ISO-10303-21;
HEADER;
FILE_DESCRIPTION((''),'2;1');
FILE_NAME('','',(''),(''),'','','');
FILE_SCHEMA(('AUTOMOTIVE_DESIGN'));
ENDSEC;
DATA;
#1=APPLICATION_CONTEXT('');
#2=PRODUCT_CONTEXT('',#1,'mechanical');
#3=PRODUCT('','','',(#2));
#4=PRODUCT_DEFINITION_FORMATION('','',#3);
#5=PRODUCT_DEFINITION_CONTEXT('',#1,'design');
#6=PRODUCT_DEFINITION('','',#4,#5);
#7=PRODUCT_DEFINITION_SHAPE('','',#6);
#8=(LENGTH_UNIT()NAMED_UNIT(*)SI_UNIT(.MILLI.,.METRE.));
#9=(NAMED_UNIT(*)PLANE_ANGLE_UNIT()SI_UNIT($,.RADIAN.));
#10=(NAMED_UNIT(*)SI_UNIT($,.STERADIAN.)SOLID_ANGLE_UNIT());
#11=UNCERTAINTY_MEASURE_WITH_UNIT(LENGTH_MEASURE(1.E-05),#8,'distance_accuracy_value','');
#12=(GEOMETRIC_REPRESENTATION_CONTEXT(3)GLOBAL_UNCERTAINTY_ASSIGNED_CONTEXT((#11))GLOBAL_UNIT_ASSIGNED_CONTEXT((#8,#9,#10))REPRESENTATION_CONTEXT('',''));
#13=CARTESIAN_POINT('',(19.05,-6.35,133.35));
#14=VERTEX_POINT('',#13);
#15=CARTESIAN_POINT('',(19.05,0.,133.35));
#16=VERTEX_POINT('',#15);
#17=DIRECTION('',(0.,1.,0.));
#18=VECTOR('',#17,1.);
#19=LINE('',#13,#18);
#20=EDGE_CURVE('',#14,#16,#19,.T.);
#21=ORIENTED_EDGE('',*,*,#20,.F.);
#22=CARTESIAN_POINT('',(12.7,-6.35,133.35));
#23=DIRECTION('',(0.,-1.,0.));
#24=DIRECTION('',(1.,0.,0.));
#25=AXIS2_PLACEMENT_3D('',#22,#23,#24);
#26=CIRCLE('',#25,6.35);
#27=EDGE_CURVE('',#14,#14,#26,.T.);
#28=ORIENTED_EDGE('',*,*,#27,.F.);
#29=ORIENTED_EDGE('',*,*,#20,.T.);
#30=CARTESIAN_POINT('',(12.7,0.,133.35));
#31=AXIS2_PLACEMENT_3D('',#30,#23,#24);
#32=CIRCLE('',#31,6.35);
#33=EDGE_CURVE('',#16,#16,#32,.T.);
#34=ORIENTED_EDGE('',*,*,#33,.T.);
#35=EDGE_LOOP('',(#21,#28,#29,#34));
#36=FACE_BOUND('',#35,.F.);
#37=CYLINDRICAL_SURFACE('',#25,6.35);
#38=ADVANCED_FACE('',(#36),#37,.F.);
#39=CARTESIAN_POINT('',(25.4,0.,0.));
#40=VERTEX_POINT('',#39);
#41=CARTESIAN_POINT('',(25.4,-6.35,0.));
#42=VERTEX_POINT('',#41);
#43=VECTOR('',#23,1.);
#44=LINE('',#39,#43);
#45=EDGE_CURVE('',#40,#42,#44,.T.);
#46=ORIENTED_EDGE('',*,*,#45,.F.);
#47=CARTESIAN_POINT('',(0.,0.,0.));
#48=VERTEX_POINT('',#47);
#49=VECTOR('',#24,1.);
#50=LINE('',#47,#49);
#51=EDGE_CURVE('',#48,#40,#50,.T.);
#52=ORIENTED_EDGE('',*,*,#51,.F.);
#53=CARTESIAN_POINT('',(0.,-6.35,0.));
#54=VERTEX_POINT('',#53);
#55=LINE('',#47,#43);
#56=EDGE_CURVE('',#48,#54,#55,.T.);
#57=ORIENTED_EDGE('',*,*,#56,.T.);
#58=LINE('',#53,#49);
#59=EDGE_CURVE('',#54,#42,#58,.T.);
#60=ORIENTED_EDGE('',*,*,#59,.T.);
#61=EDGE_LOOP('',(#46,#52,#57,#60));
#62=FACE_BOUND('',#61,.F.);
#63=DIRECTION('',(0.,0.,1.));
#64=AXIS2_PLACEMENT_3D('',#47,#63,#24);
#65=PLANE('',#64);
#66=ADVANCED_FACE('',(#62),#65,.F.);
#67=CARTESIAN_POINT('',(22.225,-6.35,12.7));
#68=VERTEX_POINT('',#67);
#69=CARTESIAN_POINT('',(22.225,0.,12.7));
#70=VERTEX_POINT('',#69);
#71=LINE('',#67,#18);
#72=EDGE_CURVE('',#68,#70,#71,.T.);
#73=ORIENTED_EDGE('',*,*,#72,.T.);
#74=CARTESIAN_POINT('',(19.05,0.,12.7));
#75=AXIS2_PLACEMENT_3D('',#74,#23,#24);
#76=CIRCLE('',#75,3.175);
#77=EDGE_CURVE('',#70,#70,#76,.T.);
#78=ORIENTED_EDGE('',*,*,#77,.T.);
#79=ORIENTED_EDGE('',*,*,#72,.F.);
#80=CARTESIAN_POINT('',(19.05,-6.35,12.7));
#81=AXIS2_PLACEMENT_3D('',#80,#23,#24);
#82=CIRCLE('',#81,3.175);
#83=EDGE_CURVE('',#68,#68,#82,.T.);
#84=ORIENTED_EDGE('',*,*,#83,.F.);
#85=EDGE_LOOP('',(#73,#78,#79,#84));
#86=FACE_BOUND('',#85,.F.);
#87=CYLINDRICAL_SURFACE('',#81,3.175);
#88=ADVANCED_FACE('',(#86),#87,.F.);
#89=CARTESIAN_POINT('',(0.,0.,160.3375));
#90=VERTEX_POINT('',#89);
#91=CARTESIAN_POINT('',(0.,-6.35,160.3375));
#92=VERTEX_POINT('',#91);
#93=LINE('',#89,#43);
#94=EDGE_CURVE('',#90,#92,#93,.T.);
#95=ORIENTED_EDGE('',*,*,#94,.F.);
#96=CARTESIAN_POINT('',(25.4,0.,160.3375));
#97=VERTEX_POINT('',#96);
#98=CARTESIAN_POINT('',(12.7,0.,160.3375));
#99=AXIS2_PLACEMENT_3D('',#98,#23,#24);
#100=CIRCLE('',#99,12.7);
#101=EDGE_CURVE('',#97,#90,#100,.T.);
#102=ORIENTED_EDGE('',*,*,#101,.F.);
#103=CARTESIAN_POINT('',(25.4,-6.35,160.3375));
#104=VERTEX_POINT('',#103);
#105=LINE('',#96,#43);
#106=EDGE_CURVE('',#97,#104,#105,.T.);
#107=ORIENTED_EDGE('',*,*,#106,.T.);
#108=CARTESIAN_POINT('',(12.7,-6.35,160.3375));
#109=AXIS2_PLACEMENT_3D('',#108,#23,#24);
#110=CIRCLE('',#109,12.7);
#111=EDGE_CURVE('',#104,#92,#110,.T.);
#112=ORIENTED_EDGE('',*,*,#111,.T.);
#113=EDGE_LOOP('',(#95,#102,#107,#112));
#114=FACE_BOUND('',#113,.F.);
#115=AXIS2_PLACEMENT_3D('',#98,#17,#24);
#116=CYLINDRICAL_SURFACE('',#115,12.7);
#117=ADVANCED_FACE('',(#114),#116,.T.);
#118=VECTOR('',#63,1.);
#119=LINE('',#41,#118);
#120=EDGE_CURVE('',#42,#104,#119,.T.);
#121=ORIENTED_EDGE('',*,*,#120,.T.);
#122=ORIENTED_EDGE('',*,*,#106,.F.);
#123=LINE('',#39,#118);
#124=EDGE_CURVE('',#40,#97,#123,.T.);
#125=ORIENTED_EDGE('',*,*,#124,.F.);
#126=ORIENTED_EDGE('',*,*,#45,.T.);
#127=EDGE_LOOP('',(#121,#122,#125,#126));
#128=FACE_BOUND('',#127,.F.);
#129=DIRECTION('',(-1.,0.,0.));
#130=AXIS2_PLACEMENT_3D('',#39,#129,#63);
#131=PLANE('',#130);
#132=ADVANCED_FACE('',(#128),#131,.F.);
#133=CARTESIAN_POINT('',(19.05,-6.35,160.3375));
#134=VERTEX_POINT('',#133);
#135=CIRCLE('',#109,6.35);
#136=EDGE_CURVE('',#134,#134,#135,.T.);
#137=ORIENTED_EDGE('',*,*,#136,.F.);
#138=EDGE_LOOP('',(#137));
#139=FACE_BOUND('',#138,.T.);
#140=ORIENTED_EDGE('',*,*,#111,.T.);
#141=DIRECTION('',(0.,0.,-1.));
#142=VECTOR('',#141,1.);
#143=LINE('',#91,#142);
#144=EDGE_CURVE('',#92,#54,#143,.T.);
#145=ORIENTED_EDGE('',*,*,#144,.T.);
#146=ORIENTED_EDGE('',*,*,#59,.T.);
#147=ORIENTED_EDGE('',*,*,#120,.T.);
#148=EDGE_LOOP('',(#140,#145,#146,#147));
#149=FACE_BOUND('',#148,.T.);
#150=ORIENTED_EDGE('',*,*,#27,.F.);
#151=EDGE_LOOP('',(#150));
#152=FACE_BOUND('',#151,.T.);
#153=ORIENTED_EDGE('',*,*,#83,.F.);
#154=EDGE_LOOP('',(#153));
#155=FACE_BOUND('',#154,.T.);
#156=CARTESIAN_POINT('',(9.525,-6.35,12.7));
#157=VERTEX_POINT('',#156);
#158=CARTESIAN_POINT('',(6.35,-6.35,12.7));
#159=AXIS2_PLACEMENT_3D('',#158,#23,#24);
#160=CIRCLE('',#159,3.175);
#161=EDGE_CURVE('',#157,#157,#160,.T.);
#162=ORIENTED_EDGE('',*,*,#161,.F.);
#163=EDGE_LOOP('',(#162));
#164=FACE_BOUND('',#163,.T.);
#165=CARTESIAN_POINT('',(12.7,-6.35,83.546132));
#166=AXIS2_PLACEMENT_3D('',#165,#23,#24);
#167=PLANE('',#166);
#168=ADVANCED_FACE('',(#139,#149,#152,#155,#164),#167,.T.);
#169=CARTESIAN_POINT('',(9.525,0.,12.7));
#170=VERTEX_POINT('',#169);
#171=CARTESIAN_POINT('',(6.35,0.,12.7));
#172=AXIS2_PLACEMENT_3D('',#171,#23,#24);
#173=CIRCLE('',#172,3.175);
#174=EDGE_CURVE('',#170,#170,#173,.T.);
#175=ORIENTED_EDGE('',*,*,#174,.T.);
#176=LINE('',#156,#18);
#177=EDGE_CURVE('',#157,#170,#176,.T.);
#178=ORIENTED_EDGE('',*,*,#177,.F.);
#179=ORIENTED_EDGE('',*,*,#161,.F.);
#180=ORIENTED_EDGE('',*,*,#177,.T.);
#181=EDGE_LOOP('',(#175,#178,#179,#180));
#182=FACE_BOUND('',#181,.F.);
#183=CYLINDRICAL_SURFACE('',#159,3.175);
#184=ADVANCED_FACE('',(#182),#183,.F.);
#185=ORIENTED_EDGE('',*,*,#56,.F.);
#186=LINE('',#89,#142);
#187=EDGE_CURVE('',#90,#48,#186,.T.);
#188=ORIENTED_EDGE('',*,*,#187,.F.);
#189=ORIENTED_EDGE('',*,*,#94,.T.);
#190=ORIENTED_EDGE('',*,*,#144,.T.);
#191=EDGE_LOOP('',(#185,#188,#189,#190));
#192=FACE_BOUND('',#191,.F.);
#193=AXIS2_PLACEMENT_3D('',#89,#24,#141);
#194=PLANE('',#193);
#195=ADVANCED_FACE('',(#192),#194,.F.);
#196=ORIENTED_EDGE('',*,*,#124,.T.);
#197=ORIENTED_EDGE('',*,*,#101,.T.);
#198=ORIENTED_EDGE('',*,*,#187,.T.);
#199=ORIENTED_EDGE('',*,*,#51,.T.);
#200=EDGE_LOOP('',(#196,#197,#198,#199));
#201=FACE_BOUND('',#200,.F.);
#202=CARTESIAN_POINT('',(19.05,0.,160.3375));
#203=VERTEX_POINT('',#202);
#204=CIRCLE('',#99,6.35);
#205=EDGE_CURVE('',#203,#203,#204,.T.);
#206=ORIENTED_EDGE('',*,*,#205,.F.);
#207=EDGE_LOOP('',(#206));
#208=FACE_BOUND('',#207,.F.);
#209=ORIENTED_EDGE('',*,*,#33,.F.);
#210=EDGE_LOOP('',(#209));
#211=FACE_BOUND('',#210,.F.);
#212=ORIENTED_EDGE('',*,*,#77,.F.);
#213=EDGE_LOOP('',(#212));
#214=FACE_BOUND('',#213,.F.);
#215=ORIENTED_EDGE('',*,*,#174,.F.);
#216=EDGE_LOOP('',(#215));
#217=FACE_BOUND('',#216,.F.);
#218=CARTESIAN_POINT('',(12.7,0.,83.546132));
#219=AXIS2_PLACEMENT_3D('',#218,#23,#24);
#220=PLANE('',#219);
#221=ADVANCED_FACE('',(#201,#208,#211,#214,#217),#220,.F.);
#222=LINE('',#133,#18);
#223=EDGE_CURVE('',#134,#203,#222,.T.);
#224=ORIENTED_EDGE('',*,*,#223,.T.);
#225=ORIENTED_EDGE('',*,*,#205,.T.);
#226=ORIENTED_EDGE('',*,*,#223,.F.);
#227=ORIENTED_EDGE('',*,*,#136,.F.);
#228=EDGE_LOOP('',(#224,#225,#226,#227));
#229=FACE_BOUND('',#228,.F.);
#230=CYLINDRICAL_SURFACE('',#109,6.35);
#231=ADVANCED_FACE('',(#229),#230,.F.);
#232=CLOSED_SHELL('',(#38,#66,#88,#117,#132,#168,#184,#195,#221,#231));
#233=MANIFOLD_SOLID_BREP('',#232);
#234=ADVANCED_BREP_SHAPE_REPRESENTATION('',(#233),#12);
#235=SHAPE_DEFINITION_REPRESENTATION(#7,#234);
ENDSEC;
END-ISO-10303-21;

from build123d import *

# Parameters (mm, degrees)
F1_DEPTH = 6.35
F2_R     = 6.35
F2_R_2   = 3.175
F3_DEPTH = 25.4


with BuildPart() as f1:
    # F0 (on Front) → F1 (new body)
    with BuildSketch(Plane.XZ):
        with BuildLine():
            Line((0, 160.3375), (0, 0))
            Line((0, 0), (25.4, 0))
            Line((25.4, 0), (25.4, 160.3375))
            ThreePointArc((25.4, 160.3375), (12.7, 173.0375), (0, 160.3375))
        make_face()
    extrude(amount=F1_DEPTH)

    # F2 (on face) → F3 (cut)
    with BuildSketch(Plane.XZ.offset(6.35)):
        with Locations((12.7, 160.3375)):
            Circle(F2_R)
        with Locations((12.7, 133.35)):
            Circle(F2_R)
        with Locations((6.35, 12.7)):
            Circle(F2_R_2)
        with Locations((19.05, 12.7)):
            Circle(F2_R_2)
    extrude(amount=-F3_DEPTH, mode=Mode.SUBTRACT)


solid = f1.part
